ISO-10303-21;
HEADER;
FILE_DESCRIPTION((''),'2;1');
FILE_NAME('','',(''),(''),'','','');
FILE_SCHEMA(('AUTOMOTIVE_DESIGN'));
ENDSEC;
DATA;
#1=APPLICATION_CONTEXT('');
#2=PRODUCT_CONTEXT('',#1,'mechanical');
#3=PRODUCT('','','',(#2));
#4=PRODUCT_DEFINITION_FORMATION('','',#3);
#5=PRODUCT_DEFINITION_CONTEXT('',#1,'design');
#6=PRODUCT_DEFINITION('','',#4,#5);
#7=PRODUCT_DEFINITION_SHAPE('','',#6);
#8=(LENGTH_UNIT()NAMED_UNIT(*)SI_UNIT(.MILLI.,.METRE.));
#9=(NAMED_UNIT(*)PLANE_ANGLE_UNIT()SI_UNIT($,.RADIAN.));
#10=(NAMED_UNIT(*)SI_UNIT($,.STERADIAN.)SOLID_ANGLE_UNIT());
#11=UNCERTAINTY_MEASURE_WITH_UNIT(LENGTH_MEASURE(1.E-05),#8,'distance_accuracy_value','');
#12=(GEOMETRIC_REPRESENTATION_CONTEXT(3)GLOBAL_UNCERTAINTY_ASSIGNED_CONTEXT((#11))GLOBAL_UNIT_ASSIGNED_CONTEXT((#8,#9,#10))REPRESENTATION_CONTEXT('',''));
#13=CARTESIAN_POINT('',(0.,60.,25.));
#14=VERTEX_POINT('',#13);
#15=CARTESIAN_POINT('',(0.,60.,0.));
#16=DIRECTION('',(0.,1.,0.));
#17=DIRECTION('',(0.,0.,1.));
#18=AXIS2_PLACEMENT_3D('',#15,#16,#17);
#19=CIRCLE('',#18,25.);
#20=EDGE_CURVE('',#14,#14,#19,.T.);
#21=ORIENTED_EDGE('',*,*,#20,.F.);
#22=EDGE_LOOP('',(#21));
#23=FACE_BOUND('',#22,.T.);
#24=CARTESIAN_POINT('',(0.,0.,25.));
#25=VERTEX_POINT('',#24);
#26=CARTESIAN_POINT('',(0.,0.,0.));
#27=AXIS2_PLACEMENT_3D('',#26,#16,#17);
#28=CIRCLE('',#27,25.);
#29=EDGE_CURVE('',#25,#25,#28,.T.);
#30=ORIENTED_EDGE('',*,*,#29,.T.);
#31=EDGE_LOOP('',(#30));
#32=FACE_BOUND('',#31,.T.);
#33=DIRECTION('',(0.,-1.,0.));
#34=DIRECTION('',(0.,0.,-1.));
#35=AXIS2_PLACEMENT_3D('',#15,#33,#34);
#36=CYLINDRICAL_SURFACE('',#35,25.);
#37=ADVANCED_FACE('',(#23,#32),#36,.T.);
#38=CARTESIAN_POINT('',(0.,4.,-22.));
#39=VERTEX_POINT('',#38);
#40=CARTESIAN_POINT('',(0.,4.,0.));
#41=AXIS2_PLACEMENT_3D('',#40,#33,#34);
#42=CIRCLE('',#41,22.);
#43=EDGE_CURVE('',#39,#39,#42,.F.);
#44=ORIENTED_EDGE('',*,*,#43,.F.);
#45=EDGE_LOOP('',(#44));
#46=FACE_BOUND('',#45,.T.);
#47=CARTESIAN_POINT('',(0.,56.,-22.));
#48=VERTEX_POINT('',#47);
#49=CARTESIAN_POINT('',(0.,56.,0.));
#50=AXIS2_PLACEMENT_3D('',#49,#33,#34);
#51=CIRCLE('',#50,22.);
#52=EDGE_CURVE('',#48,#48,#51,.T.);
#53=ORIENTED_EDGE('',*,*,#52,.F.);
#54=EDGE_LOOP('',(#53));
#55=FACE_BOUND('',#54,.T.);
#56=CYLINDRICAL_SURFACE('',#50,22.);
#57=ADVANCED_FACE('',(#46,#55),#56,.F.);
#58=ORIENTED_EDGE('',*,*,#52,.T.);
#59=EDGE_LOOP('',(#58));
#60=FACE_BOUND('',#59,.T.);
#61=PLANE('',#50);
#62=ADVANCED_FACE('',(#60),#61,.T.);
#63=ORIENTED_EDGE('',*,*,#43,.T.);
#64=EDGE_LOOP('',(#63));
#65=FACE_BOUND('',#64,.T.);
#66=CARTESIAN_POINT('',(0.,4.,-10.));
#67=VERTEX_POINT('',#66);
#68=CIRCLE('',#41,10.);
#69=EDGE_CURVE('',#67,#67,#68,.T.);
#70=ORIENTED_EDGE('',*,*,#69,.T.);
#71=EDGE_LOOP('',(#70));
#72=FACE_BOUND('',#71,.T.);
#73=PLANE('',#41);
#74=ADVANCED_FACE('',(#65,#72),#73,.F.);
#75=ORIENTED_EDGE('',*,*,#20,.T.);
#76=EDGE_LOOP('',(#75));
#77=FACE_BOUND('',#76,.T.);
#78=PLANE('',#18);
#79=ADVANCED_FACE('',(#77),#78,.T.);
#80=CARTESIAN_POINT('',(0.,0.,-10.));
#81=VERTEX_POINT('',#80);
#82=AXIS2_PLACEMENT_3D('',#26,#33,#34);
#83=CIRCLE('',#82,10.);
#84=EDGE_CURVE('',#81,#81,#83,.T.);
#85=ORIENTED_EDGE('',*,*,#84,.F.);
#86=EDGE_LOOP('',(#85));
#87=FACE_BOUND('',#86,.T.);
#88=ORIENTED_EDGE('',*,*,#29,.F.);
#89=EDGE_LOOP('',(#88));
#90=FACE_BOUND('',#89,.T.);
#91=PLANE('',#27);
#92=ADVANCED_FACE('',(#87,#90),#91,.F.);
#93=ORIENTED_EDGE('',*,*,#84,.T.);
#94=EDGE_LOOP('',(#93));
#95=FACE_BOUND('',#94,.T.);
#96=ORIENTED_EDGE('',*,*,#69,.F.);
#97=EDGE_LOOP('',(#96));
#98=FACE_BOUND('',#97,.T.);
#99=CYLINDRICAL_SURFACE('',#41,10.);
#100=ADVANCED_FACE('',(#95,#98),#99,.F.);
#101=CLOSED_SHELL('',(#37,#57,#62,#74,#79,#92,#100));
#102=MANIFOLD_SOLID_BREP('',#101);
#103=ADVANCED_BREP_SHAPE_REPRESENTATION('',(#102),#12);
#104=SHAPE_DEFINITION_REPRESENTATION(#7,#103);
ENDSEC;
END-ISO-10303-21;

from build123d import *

# Parameters (mm, degrees)
SKETCH_1_R          = 25
EXTRUDE_1_DEPTH     = 60
SKETCH_2_R          = 22
CUT_EXTRUDE_1_DEPTH = 56
SKETCH_3_R          = 22
SKETCH_3_R_2        = 10
EXTRUDE_2_DEPTH     = 4


with BuildPart() as part:
    # 草图1 → 凸台-拉伸1 (new body)
    with BuildSketch(Plane(origin=(0, 0, 0), x_dir=(1, 0, 0), z_dir=(0, 1, 0))):
        with Locations(Location((0, 0, 0), (0, 0, 270))):
            Circle(SKETCH_1_R)
    extrude(amount=EXTRUDE_1_DEPTH)

    # 草图2 → 切除-拉伸1 (cut)
    with BuildSketch(Plane.XZ):
        with Locations(Location((0, 0, 0), (0, 0, 270))):
            Circle(SKETCH_2_R)
    extrude(amount=-CUT_EXTRUDE_1_DEPTH, mode=Mode.SUBTRACT)

    # 草图3 → 凸台-拉伸2 (add)
    with BuildSketch(Plane.XZ):
        with Locations(Location((0, 0, 0), (0, 0, 270))):
            Circle(SKETCH_3_R)
        with Locations(Location((0, 0, 0), (0, 0, 270))):
            Circle(SKETCH_3_R_2, mode=Mode.SUBTRACT)
    extrude(amount=-EXTRUDE_2_DEPTH)


solid = part.part
